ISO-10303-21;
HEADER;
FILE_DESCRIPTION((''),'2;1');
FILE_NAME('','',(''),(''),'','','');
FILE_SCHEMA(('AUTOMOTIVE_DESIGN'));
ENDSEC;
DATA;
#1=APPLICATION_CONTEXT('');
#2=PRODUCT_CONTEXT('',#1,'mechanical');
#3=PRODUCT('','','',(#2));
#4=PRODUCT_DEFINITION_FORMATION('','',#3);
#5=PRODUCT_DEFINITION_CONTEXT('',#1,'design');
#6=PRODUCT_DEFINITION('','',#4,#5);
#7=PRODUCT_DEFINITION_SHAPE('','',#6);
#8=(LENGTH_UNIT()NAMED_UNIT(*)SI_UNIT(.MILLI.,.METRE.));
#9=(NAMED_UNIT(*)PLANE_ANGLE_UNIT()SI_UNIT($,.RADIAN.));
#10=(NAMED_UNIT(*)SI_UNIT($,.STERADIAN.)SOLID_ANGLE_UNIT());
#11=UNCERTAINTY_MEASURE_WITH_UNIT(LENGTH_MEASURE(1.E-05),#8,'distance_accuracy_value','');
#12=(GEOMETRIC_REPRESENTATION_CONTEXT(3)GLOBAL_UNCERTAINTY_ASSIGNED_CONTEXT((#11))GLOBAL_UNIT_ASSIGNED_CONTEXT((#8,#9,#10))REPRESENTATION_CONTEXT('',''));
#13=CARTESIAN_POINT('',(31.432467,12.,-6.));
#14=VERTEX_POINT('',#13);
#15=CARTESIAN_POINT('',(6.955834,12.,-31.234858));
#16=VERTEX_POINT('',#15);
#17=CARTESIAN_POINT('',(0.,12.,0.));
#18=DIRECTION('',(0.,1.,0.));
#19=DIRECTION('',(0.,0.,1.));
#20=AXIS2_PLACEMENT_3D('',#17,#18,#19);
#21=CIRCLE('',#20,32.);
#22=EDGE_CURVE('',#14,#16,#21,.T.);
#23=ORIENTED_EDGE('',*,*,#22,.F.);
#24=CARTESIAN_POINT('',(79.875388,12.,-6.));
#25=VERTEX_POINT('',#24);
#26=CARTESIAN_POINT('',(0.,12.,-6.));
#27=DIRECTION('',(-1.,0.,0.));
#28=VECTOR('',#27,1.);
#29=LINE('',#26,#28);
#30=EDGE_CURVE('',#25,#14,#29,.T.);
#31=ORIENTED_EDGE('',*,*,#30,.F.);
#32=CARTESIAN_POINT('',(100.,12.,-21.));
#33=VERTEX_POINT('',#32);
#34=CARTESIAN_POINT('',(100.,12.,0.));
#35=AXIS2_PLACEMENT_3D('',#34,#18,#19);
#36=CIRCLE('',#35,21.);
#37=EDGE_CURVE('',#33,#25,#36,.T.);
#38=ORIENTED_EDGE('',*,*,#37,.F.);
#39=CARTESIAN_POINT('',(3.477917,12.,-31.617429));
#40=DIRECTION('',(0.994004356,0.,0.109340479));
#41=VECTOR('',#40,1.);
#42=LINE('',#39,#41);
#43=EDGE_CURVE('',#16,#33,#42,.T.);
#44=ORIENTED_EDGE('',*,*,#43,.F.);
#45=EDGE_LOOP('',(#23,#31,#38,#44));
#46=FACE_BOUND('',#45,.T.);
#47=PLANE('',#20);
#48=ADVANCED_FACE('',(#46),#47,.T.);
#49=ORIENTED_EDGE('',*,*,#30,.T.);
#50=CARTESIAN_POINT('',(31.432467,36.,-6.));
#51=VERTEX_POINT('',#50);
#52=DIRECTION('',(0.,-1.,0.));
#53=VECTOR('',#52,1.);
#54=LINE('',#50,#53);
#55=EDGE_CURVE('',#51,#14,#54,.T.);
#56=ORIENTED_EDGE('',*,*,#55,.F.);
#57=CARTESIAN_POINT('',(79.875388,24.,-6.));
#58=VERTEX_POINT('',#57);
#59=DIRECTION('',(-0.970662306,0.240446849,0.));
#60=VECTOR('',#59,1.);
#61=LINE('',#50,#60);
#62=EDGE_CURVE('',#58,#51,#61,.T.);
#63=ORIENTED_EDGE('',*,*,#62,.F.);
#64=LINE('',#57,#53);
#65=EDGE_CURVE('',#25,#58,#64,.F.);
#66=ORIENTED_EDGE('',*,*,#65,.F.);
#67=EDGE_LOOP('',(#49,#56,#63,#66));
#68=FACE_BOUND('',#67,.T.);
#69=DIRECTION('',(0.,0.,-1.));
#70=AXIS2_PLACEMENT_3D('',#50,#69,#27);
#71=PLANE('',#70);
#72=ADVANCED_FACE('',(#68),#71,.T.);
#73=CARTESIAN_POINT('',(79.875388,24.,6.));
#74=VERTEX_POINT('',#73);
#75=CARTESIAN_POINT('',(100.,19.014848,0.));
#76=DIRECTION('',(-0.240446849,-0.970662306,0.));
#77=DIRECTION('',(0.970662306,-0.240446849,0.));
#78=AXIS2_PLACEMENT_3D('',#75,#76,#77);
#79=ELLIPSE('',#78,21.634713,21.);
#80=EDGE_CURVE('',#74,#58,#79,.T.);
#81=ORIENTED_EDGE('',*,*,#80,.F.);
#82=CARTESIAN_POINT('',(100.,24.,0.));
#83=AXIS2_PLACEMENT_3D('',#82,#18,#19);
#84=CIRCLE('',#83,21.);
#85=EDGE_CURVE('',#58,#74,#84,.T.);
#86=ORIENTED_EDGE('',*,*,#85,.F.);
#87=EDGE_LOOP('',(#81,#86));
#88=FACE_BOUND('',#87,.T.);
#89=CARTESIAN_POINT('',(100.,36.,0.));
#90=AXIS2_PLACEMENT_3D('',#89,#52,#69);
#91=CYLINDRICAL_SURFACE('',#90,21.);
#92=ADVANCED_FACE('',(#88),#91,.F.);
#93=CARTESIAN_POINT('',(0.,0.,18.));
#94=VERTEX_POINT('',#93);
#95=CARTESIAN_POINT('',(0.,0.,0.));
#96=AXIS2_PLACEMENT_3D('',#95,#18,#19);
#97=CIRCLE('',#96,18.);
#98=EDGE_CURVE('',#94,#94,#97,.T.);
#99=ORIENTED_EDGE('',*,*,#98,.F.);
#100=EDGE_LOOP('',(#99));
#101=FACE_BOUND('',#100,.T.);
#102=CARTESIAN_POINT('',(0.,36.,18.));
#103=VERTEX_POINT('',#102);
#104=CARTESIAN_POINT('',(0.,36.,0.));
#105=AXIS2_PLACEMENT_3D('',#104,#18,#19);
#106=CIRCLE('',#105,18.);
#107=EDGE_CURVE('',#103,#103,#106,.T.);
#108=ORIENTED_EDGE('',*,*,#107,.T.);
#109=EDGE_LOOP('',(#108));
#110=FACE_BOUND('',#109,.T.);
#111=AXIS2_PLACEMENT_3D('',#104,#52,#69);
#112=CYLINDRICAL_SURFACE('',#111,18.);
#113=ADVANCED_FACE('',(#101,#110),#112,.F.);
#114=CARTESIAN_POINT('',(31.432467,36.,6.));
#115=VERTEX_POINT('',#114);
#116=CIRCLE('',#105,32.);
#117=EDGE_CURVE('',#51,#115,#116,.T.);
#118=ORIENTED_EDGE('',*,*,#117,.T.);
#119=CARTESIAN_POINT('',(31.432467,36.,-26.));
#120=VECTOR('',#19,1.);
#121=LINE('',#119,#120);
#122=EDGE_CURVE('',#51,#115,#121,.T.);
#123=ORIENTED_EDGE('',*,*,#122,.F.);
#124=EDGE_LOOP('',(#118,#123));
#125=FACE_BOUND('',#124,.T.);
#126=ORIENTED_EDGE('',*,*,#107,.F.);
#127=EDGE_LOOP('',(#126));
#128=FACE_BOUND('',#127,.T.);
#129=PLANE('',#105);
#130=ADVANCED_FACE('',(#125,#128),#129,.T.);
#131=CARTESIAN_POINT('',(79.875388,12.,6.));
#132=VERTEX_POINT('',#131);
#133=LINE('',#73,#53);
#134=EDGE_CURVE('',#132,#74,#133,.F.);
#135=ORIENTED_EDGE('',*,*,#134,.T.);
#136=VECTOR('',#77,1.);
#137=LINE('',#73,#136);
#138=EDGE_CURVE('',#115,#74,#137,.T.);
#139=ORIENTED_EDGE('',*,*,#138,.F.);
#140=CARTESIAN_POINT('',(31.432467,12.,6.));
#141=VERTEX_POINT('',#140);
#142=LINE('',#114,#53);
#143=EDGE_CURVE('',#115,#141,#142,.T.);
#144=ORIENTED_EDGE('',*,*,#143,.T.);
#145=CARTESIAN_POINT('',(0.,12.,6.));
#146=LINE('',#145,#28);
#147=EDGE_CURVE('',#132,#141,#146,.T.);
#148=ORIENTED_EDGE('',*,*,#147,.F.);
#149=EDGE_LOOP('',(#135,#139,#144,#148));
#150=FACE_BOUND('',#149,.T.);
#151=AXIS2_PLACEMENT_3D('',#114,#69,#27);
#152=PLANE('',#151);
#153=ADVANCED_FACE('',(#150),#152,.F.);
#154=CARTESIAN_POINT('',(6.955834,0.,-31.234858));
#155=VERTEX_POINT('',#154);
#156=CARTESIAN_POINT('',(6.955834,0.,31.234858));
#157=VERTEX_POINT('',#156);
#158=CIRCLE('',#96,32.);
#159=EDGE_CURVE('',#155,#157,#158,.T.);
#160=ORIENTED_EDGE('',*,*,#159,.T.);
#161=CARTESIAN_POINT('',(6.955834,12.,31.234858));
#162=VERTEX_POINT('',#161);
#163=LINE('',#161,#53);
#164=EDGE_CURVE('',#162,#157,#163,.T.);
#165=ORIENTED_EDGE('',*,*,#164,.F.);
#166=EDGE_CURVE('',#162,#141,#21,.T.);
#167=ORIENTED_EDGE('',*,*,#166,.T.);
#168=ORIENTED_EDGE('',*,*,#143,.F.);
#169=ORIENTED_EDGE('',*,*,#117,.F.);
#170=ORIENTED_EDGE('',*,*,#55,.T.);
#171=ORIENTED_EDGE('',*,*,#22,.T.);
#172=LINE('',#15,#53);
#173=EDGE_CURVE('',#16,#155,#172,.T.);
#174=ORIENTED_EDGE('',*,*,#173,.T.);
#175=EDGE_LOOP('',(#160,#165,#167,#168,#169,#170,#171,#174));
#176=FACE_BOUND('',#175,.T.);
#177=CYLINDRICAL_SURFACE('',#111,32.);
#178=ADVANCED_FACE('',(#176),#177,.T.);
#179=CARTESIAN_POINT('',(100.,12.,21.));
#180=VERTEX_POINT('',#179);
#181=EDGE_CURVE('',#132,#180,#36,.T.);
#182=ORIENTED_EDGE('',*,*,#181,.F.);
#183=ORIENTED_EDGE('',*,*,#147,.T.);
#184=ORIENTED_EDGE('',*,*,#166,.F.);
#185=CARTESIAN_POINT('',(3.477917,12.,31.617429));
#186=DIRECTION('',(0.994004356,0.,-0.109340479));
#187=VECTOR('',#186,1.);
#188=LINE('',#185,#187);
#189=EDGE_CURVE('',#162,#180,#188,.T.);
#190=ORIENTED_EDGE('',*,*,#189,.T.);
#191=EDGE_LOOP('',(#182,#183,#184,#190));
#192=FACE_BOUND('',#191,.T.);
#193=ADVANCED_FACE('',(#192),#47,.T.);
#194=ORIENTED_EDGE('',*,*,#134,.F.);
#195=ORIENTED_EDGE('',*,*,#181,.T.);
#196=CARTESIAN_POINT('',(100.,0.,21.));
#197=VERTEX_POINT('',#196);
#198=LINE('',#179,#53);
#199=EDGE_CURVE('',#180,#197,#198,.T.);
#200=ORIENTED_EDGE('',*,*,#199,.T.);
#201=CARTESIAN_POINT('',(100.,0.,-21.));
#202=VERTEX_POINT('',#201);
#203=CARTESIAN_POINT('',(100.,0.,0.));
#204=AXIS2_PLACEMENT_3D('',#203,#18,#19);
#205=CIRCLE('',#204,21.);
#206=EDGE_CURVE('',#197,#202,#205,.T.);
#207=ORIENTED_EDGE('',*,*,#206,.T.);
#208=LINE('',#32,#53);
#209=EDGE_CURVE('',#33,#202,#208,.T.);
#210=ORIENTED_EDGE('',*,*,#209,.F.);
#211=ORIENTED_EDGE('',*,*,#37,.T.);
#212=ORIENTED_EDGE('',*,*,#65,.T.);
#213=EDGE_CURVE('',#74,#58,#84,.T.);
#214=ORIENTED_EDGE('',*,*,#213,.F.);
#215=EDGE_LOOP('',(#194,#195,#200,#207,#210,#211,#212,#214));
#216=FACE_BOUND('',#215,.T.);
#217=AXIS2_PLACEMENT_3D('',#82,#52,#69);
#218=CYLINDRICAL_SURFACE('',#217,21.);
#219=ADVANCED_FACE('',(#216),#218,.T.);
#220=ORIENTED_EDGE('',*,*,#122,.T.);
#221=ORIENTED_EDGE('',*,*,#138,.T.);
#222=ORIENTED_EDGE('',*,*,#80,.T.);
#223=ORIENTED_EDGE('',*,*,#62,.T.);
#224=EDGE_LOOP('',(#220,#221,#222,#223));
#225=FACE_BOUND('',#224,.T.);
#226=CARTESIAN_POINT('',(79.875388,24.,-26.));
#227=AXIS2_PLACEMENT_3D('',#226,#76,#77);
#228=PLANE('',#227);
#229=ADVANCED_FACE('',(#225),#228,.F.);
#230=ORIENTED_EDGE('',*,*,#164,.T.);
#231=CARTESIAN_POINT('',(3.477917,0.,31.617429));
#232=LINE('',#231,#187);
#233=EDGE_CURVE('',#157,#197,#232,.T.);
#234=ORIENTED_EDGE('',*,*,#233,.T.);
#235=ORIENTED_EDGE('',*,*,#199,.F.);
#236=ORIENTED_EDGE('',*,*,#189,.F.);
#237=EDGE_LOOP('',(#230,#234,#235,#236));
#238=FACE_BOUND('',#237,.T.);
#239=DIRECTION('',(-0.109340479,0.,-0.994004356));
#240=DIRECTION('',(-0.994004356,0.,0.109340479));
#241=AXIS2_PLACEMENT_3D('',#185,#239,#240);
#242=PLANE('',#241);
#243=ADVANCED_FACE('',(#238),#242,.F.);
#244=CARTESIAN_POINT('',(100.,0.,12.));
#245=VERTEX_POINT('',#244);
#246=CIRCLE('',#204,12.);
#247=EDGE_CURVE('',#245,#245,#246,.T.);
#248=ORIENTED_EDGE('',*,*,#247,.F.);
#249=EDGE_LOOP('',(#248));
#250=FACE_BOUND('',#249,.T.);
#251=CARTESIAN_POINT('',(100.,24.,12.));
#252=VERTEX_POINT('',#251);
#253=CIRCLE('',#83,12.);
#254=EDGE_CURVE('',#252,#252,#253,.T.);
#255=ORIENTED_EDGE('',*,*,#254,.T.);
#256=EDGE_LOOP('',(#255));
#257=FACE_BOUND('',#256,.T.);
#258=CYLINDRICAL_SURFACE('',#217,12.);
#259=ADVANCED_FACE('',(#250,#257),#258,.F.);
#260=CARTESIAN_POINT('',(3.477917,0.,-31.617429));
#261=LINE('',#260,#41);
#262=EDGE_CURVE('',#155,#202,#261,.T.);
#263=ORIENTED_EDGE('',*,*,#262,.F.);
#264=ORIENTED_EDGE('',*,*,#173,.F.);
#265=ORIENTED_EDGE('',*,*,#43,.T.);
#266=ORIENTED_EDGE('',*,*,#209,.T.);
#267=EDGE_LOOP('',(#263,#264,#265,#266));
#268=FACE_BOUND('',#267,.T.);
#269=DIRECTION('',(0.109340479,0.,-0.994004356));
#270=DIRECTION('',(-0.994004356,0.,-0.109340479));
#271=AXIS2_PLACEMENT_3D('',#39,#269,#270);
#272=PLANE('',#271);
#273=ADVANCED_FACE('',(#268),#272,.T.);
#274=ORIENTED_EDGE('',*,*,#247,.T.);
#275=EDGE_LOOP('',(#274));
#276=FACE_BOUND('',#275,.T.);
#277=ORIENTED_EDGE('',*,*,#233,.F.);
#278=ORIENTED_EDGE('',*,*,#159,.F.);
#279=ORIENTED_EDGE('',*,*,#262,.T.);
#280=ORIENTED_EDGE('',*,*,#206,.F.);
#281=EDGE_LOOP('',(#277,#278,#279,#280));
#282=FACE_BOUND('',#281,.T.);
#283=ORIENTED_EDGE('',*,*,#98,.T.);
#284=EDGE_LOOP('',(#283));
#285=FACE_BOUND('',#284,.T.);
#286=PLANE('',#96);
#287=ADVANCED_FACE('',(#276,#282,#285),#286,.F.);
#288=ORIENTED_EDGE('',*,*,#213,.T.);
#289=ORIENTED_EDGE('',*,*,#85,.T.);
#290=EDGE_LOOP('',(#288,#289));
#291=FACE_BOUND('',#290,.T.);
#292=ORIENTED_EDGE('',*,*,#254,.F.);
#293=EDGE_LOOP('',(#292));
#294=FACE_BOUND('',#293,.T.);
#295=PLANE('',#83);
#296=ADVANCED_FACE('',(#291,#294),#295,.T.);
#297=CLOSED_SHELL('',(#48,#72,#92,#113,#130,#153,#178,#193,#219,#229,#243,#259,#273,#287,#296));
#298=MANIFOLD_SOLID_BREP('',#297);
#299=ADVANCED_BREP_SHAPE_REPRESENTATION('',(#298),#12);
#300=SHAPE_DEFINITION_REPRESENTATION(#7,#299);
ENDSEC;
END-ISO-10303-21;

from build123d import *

# Parameters (mm, degrees)
SKETCH1_R           = 32
SKETCH1_R_2         = 18
BOSS_EXTRUDE1_DEPTH = 36
SKETCH1_6_R         = 21
SKETCH1_6_R_2       = 12
BOSS_EXTRUDE2_DEPTH = 24
BOSS_EXTRUDE3_DEPTH = 12
BOSS_EXTRUDE4_DEPTH = 36
CUT_EXTRUDE2_DEPTH  = 32


with BuildPart() as part:
    # Sketch1 → Boss-Extrude1 (new body)
    with BuildSketch(Plane(origin=(0, 0, 0), x_dir=(1, 0, 0), z_dir=(0, 1, 0))):
        with Locations(Location((0, 0, 0), (0, 0, 270))):  # turned: the seam where the file's is
            Circle(SKETCH1_R)
        with Locations(Location((0, 0, 0), (0, 0, 270))):  # turned: the seam where the file's is
            Circle(SKETCH1_R_2, mode=Mode.SUBTRACT)
    extrude(amount=BOSS_EXTRUDE1_DEPTH)



with BuildPart() as body_2:
    # Sketch1_6 → Boss-Extrude2 (new body)
    with BuildSketch(Plane(origin=(0, 0, 0), x_dir=(1, 0, 0), z_dir=(0, 1, 0))):
        with Locations(Location((100, 0, 0), (0, 0, 270))):  # turned: the seam where the file's is
            Circle(SKETCH1_6_R)
        with Locations(Location((100, 0, 0), (0, 0, 270))):  # turned: the seam where the file's is
            Circle(SKETCH1_6_R_2, mode=Mode.SUBTRACT)
    extrude(amount=BOSS_EXTRUDE2_DEPTH)


with BuildPart() as part_1:
    add(part.part)

    add(body_2.part)  # Boss-Extrude3 merges body 2
    # Sketch2 → Boss-Extrude3 (add)
    with BuildSketch(Plane(origin=(0, 0, 0), x_dir=(1, 0, 0), z_dir=(0, 1, 0))):
        with BuildLine():
            Line((100, 21), (6.955834404, 31.234858216))
            ThreePointArc((6.955834404, 31.234858216), (32, 0), (6.955834404, -31.234858216))
            Line((6.955834404, -31.234858216), (100, -21))
            ThreePointArc((100, -21), (79, 0), (100, 21))
        make_face()
    extrude(amount=BOSS_EXTRUDE3_DEPTH)

    # Sketch3 → Boss-Extrude4 (add)
    with BuildSketch(Plane(origin=(0, 0, 0), x_dir=(1, 0, 0), z_dir=(0, 1, 0))):
        with BuildLine():
            Line((31.432467291, -6), (79.875388203, -6))
            ThreePointArc((79.875388203, -6), (79, 0), (79.875388203, 6))
            Line((79.875388203, 6), (31.432467291, 6))
            ThreePointArc((31.432467291, 6), (32, 0), (31.432467291, -6))
        make_face()
    extrude(amount=BOSS_EXTRUDE4_DEPTH)

    # Sketch5 → Cut-Extrude2 (cut)
    with BuildSketch(Plane.XY.offset(6)):
        Polygon((79.875388203, 24), (31.432467291, 36), (79.875388203, 36), align=None)
    extrude(amount=-CUT_EXTRUDE2_DEPTH, mode=Mode.SUBTRACT)


solid = part_1.part
